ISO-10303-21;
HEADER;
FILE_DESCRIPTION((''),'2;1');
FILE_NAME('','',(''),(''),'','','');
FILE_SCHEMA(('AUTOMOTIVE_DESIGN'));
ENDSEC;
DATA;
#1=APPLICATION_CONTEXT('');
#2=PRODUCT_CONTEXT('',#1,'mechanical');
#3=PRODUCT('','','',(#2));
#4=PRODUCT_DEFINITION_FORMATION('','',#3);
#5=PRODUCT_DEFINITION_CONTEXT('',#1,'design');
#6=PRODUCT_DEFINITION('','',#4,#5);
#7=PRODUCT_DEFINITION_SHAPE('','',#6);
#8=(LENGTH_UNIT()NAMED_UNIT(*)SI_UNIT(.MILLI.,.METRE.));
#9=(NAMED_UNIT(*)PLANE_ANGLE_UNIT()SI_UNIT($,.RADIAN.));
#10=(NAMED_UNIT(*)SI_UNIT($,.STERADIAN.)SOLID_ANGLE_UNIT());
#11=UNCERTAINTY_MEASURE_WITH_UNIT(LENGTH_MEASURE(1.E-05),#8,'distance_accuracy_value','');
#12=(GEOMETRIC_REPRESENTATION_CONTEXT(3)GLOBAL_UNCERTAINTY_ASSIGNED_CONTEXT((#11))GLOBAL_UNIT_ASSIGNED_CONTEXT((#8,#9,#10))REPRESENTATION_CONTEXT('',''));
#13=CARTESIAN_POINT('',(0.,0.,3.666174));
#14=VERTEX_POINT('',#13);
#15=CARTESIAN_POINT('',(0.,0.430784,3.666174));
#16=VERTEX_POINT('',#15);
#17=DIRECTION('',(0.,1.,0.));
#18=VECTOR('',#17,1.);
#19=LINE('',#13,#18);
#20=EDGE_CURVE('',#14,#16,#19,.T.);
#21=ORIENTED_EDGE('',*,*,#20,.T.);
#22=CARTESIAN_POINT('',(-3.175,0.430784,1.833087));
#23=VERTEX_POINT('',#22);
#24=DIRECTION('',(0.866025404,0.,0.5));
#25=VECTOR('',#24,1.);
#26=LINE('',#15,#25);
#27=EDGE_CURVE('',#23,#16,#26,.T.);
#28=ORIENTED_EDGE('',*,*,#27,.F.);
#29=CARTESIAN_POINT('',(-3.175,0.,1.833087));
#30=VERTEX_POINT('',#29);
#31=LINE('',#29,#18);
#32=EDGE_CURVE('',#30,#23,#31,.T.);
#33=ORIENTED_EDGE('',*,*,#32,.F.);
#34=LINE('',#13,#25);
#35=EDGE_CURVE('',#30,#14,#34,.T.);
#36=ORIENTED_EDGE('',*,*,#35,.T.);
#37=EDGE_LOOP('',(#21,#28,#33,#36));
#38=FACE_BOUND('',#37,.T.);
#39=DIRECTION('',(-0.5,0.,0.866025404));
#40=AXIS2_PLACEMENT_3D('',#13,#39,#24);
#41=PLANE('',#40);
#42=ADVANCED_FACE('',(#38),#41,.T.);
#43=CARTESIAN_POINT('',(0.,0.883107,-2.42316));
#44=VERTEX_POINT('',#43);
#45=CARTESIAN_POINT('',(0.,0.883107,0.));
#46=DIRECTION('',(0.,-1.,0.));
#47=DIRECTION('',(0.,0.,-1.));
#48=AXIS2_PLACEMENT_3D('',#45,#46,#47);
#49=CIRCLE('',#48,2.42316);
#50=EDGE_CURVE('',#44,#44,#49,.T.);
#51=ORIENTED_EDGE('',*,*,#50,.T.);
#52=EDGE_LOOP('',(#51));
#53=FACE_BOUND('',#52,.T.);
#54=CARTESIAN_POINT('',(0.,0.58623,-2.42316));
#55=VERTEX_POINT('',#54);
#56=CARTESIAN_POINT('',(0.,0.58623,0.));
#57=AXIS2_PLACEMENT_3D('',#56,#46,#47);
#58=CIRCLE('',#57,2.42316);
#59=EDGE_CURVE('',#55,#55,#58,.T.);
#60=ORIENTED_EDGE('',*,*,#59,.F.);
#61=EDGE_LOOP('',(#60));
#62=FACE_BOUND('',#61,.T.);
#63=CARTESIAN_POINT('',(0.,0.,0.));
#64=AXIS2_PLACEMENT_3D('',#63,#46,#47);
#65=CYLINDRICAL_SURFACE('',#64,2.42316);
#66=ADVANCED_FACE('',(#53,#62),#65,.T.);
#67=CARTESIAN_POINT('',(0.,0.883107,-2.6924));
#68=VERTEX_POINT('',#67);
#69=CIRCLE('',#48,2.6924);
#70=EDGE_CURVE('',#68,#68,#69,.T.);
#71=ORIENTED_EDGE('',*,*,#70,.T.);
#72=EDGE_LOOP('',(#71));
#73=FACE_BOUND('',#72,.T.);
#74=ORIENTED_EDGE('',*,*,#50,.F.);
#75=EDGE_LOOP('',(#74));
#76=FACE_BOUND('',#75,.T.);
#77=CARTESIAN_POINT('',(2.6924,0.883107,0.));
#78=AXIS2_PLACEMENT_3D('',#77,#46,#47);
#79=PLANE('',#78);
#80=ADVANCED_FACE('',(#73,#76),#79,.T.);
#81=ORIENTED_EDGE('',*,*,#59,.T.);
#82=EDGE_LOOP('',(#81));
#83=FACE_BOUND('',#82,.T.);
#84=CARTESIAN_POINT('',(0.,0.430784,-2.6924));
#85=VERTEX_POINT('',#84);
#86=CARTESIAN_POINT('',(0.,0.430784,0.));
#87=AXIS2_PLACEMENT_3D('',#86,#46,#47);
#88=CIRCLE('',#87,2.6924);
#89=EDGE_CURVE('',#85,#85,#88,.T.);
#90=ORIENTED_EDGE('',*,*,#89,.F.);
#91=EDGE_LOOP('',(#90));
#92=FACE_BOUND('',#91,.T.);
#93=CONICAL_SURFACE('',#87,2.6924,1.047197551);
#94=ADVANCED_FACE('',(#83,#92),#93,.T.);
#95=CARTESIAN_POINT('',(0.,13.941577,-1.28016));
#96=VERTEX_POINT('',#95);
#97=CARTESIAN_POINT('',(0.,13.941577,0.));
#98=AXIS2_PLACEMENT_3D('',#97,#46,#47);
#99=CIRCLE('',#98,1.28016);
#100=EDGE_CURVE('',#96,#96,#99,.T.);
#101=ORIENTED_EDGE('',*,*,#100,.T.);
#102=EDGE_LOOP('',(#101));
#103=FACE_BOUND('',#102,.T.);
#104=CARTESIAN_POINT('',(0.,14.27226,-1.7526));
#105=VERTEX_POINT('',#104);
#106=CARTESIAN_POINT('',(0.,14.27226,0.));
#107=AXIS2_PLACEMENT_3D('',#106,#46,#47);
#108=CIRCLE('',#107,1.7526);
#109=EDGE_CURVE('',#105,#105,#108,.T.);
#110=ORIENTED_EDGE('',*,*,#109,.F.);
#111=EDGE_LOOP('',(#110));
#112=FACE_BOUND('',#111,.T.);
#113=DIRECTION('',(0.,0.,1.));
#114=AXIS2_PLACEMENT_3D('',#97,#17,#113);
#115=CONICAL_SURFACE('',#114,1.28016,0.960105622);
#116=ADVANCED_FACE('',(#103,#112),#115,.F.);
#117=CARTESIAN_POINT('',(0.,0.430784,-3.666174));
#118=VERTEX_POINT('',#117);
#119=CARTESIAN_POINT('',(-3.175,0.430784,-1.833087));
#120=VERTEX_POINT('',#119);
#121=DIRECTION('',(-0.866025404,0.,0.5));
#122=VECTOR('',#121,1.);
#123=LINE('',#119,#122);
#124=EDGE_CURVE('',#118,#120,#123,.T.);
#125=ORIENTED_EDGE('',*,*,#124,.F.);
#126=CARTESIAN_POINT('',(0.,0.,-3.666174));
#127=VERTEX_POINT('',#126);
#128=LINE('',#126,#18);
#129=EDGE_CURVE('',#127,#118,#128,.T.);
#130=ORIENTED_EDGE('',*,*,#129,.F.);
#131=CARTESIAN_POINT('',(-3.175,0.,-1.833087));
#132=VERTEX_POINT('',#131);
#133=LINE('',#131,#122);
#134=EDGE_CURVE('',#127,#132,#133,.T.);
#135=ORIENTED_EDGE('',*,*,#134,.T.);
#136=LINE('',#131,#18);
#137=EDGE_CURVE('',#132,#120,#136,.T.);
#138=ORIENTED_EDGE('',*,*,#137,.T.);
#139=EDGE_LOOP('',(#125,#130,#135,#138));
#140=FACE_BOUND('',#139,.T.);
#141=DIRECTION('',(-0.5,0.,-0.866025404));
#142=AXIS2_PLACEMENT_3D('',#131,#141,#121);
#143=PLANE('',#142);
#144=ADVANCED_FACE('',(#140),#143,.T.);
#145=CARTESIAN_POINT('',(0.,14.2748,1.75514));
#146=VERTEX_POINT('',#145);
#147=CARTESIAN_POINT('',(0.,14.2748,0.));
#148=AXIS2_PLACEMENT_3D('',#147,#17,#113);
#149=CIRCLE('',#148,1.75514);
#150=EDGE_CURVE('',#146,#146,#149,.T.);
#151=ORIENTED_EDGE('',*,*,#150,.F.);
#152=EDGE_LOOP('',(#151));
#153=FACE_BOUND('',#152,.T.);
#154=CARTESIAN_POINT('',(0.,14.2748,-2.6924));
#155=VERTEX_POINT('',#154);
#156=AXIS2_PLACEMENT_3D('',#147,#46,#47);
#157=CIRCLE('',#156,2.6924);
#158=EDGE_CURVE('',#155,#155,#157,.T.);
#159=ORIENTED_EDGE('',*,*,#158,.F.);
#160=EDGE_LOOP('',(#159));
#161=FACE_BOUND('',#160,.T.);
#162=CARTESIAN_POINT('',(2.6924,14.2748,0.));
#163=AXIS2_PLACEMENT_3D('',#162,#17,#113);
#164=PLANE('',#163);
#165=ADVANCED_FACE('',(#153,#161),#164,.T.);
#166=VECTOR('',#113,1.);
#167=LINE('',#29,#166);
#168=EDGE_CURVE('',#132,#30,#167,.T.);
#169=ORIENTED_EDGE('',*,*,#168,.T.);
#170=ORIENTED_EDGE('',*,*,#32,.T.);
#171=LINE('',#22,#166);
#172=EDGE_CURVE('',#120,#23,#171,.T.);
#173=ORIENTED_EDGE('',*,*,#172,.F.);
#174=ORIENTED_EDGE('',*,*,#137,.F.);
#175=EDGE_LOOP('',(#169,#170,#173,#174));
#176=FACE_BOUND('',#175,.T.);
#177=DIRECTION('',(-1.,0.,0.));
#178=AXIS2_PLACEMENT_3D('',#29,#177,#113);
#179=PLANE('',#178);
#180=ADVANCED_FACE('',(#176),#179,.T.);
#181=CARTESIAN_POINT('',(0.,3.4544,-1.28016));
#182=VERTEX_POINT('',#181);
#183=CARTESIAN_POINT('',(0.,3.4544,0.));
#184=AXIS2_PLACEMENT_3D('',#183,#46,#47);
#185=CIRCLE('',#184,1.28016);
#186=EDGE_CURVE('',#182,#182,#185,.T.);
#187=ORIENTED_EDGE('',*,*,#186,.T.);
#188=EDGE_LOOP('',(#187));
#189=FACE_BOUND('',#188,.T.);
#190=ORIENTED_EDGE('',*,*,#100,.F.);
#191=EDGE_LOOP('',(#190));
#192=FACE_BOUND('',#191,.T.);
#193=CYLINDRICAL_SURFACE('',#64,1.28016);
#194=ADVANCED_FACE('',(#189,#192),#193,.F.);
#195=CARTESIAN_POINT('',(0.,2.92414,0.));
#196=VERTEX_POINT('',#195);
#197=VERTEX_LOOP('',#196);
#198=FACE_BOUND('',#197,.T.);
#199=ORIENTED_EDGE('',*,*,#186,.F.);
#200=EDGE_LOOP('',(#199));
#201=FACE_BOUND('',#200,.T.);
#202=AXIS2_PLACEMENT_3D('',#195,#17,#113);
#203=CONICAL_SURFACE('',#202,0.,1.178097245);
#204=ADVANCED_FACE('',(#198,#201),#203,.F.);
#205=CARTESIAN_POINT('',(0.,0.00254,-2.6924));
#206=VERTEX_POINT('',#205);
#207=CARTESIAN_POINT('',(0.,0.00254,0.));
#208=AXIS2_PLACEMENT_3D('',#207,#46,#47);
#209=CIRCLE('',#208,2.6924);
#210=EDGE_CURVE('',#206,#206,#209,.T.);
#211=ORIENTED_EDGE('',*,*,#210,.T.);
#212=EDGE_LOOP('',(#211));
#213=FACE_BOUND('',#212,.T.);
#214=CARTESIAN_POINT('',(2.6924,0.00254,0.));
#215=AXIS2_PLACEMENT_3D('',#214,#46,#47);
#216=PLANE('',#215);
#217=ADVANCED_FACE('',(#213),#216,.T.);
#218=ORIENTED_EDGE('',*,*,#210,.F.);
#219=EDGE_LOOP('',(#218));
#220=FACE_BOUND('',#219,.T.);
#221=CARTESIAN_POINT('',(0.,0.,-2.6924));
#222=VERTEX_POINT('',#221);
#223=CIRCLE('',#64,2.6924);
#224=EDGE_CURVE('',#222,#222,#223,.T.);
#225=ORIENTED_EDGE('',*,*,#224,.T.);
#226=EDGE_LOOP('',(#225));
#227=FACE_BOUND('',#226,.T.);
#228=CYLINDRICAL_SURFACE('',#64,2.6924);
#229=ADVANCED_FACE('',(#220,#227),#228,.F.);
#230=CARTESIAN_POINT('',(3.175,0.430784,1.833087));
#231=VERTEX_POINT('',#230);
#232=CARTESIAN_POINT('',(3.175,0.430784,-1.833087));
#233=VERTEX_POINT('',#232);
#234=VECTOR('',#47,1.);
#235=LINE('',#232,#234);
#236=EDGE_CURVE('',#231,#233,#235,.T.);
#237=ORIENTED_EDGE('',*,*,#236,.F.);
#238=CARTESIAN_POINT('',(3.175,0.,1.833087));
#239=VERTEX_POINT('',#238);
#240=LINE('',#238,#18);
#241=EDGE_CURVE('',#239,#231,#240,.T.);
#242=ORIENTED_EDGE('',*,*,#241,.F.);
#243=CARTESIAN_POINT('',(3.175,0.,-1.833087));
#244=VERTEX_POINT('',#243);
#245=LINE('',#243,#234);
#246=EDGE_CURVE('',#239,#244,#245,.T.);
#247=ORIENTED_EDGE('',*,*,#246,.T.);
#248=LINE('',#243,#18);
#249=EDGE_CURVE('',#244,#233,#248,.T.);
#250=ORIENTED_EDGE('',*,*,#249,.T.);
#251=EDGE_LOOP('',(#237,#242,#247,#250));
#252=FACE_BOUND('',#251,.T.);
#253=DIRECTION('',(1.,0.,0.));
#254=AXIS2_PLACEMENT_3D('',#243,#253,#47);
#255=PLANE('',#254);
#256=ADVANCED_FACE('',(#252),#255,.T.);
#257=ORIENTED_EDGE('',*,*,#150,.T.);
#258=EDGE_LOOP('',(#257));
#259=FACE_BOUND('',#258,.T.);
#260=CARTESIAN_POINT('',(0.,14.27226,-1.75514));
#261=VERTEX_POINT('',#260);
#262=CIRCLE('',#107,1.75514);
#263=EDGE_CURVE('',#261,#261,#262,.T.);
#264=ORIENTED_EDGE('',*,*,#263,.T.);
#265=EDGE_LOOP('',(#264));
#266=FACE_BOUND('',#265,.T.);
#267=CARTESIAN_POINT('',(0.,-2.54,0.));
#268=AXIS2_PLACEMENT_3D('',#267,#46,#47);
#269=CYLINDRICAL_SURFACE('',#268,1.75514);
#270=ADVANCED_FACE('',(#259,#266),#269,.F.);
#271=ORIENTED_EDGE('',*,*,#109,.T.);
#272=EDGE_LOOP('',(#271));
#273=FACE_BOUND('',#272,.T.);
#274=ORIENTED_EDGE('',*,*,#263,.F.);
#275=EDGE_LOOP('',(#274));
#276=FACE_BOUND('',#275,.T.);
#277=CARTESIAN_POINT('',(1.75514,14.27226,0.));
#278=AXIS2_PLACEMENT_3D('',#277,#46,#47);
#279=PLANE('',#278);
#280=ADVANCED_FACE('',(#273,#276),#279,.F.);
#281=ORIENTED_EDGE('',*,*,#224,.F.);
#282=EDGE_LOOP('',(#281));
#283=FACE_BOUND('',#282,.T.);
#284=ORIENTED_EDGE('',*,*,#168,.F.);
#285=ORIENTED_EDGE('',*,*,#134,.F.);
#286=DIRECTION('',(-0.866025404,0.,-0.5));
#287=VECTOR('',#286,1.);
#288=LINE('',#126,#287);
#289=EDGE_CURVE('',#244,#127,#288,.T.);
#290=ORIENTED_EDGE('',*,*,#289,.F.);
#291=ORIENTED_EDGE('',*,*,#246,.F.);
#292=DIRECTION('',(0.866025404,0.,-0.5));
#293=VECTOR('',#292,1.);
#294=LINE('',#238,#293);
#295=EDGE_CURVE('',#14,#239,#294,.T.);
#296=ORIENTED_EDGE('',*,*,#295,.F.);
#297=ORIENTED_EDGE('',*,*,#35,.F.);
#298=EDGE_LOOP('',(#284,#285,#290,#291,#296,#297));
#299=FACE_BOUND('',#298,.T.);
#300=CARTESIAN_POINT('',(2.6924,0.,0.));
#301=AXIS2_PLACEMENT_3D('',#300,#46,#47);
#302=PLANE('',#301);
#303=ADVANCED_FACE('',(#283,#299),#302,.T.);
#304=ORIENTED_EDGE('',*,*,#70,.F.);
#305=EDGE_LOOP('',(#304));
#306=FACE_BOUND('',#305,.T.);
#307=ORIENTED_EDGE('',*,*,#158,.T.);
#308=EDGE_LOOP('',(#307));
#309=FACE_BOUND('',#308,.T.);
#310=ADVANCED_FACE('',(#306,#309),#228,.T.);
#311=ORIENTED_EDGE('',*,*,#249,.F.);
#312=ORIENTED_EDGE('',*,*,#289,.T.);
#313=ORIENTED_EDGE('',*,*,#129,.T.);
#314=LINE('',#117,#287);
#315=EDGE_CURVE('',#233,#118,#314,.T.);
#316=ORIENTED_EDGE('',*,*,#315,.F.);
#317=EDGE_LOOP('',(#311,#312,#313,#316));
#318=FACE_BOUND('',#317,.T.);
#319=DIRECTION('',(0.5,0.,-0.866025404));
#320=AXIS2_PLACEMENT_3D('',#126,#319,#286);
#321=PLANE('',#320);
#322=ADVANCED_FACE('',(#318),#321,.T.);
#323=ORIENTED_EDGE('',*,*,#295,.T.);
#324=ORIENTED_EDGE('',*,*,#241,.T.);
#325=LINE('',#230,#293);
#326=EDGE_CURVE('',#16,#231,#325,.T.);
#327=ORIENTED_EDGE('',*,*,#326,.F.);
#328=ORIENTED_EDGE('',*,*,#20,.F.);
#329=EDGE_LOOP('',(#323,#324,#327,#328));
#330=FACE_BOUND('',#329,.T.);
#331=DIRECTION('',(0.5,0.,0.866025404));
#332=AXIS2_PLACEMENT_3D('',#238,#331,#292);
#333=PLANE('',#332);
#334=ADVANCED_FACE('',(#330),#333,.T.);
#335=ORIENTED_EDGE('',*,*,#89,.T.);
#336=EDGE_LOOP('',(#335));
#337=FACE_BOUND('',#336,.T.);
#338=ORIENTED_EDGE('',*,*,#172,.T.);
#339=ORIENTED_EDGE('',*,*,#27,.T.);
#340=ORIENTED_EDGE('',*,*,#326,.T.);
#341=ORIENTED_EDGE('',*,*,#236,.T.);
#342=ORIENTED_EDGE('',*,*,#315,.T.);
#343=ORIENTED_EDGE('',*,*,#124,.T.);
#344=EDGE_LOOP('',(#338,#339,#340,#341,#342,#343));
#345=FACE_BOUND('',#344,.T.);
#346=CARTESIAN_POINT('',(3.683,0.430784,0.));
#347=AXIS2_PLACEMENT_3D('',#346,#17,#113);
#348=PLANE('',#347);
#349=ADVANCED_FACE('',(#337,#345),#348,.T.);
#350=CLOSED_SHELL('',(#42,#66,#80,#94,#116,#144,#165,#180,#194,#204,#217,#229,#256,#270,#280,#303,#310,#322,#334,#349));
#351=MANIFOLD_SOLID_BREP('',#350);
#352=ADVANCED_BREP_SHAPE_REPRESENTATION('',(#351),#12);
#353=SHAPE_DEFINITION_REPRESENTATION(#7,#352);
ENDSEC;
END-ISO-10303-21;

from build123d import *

# Parameters (mm, degrees)
HEXDIESKE_R  = 3.6957
HEXDIE_DEPTH = 0.430784


with BuildPart() as part:
    # BodySke → Body (revolve)
    with BuildSketch(Plane.XY, mode=Mode.PRIVATE) as body_sk:
        Polygon((2.6924, 0), (3.683, 0), (3.683, 0.430784), (2.6924, 0.430784), (2.42316, 0.586229786), (2.42316, 0.8831072), (2.6924, 0.8831072), (2.6924, 14.2748), (1.28016, 14.2748), (1.28016, 7.4168), (0, 7.4168), (0, 0.00254), (2.6924, 0.00254), align=None)
    revolve(body_sk.sketch.rotate(Axis((0, 0, 0), (0, 1, 0)), 90), axis=Axis((0, 0, 0), (0, 1, 0)))

    # TapDriSke → TapDrill (revolve, cut)
    with BuildSketch(Plane.XY, mode=Mode.PRIVATE) as tapdrill_sk:
        Polygon((1.28016, 3.4544), (1.28016, 14.2748), (0, 14.2748), (0, 2.924140366), align=None)
    revolve(tapdrill_sk.sketch.rotate(Axis((0, 0, 0), (0, 1, 0)), 90), axis=Axis((0, 0, 0), (0, 1, 0)), mode=Mode.SUBTRACT)

    # EndChamferSke → EndChamfer (revolve, cut)
    with BuildSketch(Plane.XY, mode=Mode.PRIVATE) as endchamfer_sk:
        Polygon((1.75514, 14.27226), (1.75514, 14.5288), (1.28016, 14.5288), (1.28016, 13.94157682), (1.7526, 14.27226), align=None)
    revolve(endchamfer_sk.sketch.rotate(Axis((0, -2.54, 0), (0, 1, 0)), 90), axis=Axis((0, -2.54, 0), (0, 1, 0)), mode=Mode.SUBTRACT)

    # HexDieSke → HexDie (cut)
    with BuildSketch(Plane(origin=(0, 0.430784, 0), x_dir=(-1, 0, 0), z_dir=(0, 1, 0))):
        Circle(HEXDIESKE_R)
        Polygon((0, 3.666174209), (3.175, 1.833087105), (3.175, -1.833087105), (0, -3.666174209), (-3.175, -1.833087105), (-3.175, 1.833087105), align=None, mode=Mode.SUBTRACT)
    extrude(amount=-HEXDIE_DEPTH, mode=Mode.SUBTRACT)


solid = part.part
